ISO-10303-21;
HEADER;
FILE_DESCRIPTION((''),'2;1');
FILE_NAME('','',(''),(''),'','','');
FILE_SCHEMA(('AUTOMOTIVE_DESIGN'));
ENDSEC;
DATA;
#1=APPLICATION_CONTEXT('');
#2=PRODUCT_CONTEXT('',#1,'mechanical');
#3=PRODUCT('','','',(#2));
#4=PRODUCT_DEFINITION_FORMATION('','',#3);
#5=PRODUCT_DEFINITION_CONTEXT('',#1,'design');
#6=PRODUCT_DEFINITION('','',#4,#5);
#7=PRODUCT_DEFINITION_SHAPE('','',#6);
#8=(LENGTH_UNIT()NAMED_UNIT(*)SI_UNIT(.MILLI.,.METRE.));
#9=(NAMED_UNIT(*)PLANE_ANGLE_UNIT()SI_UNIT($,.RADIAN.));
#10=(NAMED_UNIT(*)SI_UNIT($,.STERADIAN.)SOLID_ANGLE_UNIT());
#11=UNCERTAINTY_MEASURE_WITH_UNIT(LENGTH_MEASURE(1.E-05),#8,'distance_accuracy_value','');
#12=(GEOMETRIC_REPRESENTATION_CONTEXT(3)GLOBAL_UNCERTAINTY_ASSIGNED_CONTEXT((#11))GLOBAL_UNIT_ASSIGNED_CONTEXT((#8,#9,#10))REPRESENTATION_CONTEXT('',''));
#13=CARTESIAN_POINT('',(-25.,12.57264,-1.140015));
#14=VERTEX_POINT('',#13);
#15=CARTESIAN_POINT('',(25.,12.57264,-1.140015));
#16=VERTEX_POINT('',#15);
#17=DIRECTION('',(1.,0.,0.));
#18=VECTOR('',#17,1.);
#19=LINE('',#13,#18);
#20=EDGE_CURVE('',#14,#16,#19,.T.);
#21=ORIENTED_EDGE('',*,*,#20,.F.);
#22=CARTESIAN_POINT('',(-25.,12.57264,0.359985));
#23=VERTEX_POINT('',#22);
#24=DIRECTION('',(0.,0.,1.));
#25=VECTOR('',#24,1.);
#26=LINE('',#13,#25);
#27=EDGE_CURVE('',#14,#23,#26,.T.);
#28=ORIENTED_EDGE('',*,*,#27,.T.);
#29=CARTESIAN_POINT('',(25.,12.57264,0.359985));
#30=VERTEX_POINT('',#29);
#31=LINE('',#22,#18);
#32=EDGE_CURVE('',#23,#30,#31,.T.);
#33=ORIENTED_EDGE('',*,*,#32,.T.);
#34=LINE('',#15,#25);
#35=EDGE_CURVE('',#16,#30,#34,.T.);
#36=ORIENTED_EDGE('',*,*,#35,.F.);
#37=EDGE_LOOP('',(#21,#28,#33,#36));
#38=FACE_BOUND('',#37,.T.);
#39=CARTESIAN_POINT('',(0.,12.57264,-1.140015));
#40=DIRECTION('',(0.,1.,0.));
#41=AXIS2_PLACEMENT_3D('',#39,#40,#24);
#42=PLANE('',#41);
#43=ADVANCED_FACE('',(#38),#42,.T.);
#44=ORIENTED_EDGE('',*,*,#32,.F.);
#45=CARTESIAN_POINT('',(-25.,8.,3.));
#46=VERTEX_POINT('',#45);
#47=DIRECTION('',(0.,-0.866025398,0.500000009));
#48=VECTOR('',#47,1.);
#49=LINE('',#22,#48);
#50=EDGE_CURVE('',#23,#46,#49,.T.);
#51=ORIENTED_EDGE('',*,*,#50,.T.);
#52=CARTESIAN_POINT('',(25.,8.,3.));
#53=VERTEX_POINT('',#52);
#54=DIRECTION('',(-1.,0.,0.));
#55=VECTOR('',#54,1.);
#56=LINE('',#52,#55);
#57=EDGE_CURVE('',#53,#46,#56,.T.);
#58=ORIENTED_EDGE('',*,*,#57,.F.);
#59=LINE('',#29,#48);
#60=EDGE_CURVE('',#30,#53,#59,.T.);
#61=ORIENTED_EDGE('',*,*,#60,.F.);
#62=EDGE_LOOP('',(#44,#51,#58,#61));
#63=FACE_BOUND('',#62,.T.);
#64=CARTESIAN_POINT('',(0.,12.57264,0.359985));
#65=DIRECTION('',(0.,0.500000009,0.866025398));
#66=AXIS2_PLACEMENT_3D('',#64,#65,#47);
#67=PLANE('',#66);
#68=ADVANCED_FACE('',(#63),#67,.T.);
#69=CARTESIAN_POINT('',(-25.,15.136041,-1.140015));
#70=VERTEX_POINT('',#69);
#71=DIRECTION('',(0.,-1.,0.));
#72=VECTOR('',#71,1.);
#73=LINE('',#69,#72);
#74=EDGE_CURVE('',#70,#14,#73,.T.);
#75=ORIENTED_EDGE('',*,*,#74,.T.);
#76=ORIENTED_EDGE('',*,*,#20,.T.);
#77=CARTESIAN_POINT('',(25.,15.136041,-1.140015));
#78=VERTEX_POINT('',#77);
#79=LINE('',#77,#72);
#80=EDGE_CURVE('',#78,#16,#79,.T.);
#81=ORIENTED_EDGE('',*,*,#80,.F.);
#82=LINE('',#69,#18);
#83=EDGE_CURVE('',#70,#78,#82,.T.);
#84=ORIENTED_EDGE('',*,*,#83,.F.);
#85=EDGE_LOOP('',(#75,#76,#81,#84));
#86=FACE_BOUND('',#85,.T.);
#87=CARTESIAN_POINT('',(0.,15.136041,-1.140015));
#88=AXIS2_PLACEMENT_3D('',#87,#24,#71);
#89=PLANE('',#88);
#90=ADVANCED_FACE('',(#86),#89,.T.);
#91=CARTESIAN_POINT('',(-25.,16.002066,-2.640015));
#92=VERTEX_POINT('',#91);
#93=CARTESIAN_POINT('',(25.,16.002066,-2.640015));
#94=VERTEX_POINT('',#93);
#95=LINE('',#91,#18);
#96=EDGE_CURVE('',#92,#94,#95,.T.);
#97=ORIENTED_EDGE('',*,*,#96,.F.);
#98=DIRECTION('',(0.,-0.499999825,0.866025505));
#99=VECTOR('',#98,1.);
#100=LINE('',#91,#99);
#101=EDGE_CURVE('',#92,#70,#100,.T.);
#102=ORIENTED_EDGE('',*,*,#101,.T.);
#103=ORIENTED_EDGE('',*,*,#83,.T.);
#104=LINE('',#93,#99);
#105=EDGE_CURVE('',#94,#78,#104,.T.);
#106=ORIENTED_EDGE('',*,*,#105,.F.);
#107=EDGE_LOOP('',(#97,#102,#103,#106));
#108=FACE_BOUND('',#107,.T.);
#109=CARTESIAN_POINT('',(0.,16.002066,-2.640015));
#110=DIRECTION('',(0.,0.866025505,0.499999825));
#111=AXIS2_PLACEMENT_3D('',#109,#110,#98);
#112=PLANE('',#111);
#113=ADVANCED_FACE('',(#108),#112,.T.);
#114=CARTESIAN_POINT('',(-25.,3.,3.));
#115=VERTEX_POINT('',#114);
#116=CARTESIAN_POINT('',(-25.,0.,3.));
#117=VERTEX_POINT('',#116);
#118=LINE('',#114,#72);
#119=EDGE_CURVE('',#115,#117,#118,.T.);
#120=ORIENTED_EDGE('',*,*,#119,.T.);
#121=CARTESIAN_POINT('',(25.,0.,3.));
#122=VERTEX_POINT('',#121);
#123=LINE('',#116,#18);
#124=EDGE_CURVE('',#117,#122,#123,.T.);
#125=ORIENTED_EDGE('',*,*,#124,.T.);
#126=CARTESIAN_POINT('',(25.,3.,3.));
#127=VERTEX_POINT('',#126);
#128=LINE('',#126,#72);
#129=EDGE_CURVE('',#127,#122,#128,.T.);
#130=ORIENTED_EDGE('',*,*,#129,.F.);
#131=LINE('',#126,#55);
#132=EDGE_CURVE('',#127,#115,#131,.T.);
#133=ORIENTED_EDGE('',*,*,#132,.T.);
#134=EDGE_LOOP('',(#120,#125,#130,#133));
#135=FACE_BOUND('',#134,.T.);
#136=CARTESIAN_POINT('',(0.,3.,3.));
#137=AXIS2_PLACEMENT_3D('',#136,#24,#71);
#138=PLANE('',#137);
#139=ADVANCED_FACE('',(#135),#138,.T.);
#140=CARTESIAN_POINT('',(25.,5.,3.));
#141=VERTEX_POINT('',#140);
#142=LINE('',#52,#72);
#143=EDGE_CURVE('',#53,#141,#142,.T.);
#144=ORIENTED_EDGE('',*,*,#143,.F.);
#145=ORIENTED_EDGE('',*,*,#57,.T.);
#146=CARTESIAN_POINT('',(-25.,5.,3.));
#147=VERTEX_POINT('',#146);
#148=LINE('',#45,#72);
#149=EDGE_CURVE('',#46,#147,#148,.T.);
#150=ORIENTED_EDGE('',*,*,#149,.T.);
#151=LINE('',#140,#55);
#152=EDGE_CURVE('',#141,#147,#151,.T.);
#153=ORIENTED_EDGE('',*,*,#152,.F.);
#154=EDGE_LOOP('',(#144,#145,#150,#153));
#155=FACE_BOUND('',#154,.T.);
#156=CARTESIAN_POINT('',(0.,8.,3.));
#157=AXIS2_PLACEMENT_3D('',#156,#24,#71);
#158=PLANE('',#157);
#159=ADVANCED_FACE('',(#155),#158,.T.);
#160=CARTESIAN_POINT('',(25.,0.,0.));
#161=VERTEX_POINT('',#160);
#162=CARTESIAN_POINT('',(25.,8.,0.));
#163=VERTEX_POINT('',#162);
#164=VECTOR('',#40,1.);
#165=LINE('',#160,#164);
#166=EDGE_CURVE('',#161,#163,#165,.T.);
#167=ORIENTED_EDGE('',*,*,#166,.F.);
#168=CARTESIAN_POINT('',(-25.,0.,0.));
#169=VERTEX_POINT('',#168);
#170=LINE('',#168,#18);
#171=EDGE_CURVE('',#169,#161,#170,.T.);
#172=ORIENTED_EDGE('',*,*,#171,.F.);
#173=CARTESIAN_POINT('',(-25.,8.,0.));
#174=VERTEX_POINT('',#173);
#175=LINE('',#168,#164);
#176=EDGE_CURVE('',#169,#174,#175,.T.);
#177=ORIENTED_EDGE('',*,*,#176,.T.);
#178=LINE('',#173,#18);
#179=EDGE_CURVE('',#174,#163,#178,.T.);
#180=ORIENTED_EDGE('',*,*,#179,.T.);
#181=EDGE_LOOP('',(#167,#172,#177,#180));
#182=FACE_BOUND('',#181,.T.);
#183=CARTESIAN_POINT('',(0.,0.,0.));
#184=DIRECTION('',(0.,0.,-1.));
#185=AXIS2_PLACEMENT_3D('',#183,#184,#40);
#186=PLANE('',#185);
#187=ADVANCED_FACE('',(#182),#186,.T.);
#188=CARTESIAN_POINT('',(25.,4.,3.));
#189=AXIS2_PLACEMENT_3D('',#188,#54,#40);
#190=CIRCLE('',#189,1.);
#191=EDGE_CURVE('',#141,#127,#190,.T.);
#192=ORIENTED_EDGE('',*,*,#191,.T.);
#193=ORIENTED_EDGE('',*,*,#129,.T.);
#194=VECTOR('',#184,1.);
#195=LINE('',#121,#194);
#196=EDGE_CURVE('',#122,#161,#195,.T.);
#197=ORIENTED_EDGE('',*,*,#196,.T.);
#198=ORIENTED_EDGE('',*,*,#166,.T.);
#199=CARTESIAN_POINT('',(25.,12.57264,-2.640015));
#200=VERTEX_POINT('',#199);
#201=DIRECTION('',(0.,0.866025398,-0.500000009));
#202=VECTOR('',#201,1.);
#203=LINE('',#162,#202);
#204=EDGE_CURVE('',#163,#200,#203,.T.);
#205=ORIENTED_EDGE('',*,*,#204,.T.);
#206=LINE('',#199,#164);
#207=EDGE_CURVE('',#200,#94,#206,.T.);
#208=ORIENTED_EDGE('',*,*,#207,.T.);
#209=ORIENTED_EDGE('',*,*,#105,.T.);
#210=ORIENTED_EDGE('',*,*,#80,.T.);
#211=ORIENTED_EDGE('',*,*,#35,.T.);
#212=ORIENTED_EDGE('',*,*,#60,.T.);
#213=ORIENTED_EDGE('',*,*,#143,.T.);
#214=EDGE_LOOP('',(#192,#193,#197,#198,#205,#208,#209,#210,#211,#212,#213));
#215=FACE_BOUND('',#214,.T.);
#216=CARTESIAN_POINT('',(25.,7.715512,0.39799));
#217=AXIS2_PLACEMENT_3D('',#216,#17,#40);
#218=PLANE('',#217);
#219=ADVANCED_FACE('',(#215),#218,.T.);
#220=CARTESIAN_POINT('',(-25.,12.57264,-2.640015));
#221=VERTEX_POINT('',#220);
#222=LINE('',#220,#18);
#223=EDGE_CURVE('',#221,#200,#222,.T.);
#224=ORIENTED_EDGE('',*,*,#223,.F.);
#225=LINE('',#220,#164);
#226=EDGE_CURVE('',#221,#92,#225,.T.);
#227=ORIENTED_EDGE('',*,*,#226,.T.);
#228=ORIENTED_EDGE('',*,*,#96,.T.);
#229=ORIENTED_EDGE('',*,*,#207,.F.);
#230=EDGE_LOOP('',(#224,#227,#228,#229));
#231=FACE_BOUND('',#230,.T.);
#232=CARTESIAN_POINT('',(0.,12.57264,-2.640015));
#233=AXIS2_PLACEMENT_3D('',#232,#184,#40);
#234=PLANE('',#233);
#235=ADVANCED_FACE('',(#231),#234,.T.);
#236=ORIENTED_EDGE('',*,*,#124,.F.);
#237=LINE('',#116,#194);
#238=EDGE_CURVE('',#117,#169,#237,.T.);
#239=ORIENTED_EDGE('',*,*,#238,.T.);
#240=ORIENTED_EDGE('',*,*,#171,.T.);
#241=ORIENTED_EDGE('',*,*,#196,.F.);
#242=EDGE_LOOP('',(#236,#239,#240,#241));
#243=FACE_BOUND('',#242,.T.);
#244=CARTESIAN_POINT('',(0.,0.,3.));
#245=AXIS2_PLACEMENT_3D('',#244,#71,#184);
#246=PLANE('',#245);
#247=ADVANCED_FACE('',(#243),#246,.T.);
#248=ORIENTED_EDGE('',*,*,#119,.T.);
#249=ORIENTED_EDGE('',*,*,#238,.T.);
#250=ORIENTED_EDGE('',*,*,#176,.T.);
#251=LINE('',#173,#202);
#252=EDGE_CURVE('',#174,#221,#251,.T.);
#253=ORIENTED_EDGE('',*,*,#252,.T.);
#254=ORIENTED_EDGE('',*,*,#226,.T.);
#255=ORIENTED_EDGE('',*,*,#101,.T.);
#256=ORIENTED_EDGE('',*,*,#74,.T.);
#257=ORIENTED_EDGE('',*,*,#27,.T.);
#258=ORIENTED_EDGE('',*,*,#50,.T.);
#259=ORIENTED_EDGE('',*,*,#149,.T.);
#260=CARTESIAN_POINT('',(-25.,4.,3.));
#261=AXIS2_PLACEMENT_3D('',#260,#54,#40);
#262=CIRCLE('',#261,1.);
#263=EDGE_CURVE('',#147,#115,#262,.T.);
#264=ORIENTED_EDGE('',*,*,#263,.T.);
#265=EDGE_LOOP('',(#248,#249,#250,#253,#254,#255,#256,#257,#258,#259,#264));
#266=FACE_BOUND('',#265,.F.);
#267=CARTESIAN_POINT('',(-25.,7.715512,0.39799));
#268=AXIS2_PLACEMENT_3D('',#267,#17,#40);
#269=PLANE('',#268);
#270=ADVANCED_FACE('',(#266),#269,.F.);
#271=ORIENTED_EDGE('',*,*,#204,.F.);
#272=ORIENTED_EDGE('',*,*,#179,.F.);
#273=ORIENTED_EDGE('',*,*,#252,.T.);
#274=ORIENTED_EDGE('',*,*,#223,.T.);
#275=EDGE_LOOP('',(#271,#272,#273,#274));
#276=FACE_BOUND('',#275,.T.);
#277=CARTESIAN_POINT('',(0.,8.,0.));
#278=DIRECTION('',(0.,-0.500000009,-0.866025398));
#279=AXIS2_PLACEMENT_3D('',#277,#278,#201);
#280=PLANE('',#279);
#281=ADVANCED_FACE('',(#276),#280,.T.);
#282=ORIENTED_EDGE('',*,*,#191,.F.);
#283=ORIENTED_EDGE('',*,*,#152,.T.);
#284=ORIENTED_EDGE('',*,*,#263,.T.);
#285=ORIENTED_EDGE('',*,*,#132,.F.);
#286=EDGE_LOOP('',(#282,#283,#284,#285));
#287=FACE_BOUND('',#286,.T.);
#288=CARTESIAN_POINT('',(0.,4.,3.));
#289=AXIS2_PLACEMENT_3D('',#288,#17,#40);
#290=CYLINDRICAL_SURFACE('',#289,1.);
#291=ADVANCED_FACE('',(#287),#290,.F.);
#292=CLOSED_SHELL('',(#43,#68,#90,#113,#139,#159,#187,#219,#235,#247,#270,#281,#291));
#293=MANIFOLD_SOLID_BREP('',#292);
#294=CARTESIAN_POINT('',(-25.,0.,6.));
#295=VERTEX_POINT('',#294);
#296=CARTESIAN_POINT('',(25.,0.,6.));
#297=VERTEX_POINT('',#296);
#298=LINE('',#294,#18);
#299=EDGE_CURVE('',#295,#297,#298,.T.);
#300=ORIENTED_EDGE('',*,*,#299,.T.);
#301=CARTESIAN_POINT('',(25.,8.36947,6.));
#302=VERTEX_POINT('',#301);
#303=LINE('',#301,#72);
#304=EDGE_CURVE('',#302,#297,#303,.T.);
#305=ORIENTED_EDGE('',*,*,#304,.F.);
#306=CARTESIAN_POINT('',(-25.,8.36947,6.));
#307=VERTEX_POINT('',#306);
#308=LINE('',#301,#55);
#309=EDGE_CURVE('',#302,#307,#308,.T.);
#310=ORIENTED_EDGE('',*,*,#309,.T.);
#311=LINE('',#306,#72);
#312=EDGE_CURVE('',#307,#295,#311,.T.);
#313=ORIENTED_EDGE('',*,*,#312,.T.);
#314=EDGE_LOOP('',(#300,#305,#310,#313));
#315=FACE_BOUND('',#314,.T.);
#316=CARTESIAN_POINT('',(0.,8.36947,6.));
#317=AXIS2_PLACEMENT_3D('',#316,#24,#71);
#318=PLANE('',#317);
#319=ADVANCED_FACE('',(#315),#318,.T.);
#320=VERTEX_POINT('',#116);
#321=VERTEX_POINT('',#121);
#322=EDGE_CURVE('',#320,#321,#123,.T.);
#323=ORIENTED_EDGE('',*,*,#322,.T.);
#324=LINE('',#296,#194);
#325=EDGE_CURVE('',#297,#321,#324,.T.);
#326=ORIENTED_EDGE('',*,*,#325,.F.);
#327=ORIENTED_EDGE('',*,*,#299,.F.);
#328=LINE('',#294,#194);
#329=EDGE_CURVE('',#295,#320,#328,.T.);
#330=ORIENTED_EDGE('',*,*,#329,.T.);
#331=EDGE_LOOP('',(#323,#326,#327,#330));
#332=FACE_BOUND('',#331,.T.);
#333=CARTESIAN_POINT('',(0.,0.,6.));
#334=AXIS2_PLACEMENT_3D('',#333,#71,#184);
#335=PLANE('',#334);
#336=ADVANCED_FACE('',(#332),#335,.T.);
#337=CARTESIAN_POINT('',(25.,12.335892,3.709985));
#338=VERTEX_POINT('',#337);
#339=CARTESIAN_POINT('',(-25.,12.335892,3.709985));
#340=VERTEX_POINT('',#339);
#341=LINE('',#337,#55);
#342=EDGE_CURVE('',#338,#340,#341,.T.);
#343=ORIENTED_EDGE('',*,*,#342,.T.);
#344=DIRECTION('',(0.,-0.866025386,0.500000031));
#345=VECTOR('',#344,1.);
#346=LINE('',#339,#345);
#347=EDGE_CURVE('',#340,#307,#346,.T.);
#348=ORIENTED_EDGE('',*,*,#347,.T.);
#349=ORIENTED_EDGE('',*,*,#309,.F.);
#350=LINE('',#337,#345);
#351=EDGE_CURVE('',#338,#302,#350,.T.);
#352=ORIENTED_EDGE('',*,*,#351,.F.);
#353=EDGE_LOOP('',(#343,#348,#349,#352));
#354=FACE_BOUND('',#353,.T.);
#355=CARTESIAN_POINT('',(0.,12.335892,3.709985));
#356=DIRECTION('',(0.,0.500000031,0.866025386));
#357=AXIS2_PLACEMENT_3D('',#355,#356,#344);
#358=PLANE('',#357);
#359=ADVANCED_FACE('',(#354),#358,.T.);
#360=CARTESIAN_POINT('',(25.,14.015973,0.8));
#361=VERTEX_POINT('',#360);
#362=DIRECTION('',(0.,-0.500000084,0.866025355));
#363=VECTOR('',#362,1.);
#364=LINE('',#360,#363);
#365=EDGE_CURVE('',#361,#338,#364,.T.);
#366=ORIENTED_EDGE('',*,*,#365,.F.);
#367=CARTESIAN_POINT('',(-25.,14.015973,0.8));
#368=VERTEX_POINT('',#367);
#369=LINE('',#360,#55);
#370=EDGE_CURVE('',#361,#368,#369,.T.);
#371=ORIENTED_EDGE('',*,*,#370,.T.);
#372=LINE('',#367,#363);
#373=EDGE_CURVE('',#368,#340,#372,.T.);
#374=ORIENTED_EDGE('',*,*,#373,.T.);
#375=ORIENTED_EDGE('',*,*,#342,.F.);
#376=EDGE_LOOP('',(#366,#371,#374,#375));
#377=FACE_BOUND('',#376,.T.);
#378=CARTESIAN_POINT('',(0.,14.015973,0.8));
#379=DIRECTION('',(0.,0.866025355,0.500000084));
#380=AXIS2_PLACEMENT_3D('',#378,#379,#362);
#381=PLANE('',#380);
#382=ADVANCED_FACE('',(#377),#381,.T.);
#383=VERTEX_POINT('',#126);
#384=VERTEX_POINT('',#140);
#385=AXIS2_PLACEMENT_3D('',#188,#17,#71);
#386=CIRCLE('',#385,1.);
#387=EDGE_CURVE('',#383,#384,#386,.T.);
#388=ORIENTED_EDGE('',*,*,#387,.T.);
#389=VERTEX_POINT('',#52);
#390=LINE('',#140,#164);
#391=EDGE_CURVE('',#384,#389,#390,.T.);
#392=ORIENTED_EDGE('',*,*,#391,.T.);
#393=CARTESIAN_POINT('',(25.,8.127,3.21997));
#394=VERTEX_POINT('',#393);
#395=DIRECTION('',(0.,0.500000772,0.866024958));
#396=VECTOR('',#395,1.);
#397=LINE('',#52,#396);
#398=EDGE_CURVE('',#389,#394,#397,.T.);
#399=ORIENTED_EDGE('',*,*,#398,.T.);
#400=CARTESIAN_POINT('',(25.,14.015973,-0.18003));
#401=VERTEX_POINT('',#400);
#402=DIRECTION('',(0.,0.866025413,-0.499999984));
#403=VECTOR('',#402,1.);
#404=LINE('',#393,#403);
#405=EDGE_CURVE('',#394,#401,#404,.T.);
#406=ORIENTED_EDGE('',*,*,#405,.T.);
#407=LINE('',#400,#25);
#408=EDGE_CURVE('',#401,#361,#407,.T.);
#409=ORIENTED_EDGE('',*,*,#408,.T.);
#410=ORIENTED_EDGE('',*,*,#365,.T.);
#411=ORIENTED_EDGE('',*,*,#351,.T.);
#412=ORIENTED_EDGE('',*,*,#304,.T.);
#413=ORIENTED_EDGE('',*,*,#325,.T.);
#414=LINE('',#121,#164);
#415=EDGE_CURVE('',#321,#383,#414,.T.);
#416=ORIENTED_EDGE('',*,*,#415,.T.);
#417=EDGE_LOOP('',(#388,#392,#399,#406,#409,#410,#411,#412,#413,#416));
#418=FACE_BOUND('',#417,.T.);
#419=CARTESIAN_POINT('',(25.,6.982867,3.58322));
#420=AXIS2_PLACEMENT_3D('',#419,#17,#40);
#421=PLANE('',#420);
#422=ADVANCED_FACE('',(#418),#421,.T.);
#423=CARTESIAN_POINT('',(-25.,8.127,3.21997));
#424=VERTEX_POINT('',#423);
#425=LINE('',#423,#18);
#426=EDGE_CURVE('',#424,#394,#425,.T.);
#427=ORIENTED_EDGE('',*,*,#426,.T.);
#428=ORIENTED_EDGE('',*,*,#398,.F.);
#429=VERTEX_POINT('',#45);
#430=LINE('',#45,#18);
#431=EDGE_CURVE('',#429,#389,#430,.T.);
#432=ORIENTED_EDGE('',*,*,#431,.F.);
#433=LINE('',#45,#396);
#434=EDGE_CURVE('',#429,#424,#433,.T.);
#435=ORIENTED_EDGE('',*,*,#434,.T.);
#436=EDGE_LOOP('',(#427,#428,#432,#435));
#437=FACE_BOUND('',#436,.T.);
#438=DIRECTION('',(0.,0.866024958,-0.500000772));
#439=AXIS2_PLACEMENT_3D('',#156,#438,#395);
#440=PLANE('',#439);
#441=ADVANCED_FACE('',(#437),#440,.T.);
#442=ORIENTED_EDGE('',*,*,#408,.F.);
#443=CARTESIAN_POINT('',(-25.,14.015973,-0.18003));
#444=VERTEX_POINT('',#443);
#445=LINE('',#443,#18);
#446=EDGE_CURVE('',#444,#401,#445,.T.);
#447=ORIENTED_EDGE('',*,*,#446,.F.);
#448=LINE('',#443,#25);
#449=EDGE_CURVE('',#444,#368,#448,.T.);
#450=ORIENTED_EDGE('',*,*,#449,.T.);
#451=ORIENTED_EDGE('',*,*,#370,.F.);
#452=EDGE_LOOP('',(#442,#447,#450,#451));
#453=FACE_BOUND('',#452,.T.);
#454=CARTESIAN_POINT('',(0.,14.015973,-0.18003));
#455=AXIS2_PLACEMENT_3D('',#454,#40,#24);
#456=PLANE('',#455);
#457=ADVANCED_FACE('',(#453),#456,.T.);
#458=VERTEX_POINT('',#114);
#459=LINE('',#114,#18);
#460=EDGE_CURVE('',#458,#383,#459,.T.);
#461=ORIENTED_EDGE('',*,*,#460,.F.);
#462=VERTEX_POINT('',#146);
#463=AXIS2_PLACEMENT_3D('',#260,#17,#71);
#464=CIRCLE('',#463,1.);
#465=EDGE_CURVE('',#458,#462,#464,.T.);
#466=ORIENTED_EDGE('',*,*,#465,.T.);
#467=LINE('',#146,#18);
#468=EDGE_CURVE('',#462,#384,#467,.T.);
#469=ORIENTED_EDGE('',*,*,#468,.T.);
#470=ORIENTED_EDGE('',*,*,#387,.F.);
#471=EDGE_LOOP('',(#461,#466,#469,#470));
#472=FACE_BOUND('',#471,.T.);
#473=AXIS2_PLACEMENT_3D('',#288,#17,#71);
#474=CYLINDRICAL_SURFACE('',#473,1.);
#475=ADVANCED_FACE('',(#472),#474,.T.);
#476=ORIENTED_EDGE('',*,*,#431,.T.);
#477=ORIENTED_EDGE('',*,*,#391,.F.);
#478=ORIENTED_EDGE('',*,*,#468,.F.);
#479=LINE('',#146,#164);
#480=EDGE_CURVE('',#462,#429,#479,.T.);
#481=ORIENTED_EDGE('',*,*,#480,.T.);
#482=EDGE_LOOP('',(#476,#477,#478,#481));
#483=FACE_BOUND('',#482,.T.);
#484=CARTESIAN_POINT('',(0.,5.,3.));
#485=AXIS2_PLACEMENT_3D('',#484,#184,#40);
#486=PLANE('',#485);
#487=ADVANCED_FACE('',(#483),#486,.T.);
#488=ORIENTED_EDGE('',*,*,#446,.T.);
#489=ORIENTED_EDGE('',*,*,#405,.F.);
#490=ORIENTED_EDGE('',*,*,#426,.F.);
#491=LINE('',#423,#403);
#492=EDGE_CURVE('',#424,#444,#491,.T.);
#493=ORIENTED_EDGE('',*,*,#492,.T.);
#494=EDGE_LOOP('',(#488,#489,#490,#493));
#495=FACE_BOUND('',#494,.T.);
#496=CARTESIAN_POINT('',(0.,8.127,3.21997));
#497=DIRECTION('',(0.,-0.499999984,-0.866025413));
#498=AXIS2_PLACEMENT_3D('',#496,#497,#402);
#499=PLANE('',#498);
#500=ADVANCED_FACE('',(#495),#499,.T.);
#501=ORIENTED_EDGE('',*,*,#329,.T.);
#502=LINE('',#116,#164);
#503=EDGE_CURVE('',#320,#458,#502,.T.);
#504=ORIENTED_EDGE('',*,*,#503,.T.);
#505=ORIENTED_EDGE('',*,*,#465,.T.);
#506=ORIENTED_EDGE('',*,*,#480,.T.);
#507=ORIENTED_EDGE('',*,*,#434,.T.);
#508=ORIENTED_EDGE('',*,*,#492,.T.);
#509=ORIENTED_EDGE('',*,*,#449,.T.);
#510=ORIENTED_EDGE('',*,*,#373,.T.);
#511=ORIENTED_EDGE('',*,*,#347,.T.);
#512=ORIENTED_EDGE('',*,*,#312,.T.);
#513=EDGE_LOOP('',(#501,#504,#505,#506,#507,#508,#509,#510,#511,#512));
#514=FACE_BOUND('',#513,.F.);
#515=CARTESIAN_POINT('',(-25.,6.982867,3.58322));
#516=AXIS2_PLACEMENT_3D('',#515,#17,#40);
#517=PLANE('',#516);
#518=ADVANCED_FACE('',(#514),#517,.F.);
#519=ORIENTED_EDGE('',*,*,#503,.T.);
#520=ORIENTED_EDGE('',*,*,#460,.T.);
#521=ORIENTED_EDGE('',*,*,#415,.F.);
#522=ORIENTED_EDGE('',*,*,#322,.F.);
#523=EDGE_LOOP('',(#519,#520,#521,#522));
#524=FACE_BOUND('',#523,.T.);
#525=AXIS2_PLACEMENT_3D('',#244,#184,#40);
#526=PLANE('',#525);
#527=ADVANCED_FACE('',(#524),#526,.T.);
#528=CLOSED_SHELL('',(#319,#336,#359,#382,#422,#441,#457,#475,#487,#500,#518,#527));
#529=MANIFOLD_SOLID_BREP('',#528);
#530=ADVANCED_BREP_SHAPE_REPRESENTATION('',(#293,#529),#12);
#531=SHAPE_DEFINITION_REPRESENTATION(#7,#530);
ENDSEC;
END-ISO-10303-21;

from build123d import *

# Parameters (mm, degrees)
F1_DEPTH = 25
F2_DEPTH = 25


with BuildPart() as f1:
    # F0 (on Right) → F1 (new body, symmetric)
    with BuildSketch(Plane.YZ):
        with BuildLine():
            Line((8.36947, 6), (0, 6))
            Line((0, 6), (0, 3))
            Line((0, 3), (3, 3))
            ThreePointArc((3, 3), (4, 2), (5, 3))
            Line((5, 3), (8, 3))
            Line((8, 3), (8.127, 3.21997))
            Line((8.127, 3.21997), (14.015973, -0.18003))
            Line((14.015973, -0.18003), (14.015973, 0.8))
            Line((14.015973, 0.8), (12.335892, 3.709985))
            Line((12.335892, 3.709985), (8.36947, 6))
        make_face()
    extrude(amount=F1_DEPTH, both=True)


with BuildPart() as f2:
    # F0 (on Right) → F2 (new body, symmetric)
    with BuildSketch(Plane.YZ):
        with BuildLine():
            Line((3, 3), (0, 3))
            Line((0, 3), (0, 0))
            Line((0, 0), (8, 0))
            Line((8, 0), (12.57264, -2.640015))
            Line((12.57264, -2.640015), (16.002066, -2.640015))
            Line((16.002066, -2.640015), (15.136041, -1.140015))
            Line((15.136041, -1.140015), (12.57264, -1.140015))
            Line((12.57264, -1.140015), (12.57264, 0.359985))
            Line((12.57264, 0.359985), (8, 3))
            Line((8, 3), (5, 3))
            ThreePointArc((5, 3), (4, 2), (3, 3))
        make_face()
    extrude(amount=F2_DEPTH, both=True)


solid = Compound([f1.part, f2.part])
